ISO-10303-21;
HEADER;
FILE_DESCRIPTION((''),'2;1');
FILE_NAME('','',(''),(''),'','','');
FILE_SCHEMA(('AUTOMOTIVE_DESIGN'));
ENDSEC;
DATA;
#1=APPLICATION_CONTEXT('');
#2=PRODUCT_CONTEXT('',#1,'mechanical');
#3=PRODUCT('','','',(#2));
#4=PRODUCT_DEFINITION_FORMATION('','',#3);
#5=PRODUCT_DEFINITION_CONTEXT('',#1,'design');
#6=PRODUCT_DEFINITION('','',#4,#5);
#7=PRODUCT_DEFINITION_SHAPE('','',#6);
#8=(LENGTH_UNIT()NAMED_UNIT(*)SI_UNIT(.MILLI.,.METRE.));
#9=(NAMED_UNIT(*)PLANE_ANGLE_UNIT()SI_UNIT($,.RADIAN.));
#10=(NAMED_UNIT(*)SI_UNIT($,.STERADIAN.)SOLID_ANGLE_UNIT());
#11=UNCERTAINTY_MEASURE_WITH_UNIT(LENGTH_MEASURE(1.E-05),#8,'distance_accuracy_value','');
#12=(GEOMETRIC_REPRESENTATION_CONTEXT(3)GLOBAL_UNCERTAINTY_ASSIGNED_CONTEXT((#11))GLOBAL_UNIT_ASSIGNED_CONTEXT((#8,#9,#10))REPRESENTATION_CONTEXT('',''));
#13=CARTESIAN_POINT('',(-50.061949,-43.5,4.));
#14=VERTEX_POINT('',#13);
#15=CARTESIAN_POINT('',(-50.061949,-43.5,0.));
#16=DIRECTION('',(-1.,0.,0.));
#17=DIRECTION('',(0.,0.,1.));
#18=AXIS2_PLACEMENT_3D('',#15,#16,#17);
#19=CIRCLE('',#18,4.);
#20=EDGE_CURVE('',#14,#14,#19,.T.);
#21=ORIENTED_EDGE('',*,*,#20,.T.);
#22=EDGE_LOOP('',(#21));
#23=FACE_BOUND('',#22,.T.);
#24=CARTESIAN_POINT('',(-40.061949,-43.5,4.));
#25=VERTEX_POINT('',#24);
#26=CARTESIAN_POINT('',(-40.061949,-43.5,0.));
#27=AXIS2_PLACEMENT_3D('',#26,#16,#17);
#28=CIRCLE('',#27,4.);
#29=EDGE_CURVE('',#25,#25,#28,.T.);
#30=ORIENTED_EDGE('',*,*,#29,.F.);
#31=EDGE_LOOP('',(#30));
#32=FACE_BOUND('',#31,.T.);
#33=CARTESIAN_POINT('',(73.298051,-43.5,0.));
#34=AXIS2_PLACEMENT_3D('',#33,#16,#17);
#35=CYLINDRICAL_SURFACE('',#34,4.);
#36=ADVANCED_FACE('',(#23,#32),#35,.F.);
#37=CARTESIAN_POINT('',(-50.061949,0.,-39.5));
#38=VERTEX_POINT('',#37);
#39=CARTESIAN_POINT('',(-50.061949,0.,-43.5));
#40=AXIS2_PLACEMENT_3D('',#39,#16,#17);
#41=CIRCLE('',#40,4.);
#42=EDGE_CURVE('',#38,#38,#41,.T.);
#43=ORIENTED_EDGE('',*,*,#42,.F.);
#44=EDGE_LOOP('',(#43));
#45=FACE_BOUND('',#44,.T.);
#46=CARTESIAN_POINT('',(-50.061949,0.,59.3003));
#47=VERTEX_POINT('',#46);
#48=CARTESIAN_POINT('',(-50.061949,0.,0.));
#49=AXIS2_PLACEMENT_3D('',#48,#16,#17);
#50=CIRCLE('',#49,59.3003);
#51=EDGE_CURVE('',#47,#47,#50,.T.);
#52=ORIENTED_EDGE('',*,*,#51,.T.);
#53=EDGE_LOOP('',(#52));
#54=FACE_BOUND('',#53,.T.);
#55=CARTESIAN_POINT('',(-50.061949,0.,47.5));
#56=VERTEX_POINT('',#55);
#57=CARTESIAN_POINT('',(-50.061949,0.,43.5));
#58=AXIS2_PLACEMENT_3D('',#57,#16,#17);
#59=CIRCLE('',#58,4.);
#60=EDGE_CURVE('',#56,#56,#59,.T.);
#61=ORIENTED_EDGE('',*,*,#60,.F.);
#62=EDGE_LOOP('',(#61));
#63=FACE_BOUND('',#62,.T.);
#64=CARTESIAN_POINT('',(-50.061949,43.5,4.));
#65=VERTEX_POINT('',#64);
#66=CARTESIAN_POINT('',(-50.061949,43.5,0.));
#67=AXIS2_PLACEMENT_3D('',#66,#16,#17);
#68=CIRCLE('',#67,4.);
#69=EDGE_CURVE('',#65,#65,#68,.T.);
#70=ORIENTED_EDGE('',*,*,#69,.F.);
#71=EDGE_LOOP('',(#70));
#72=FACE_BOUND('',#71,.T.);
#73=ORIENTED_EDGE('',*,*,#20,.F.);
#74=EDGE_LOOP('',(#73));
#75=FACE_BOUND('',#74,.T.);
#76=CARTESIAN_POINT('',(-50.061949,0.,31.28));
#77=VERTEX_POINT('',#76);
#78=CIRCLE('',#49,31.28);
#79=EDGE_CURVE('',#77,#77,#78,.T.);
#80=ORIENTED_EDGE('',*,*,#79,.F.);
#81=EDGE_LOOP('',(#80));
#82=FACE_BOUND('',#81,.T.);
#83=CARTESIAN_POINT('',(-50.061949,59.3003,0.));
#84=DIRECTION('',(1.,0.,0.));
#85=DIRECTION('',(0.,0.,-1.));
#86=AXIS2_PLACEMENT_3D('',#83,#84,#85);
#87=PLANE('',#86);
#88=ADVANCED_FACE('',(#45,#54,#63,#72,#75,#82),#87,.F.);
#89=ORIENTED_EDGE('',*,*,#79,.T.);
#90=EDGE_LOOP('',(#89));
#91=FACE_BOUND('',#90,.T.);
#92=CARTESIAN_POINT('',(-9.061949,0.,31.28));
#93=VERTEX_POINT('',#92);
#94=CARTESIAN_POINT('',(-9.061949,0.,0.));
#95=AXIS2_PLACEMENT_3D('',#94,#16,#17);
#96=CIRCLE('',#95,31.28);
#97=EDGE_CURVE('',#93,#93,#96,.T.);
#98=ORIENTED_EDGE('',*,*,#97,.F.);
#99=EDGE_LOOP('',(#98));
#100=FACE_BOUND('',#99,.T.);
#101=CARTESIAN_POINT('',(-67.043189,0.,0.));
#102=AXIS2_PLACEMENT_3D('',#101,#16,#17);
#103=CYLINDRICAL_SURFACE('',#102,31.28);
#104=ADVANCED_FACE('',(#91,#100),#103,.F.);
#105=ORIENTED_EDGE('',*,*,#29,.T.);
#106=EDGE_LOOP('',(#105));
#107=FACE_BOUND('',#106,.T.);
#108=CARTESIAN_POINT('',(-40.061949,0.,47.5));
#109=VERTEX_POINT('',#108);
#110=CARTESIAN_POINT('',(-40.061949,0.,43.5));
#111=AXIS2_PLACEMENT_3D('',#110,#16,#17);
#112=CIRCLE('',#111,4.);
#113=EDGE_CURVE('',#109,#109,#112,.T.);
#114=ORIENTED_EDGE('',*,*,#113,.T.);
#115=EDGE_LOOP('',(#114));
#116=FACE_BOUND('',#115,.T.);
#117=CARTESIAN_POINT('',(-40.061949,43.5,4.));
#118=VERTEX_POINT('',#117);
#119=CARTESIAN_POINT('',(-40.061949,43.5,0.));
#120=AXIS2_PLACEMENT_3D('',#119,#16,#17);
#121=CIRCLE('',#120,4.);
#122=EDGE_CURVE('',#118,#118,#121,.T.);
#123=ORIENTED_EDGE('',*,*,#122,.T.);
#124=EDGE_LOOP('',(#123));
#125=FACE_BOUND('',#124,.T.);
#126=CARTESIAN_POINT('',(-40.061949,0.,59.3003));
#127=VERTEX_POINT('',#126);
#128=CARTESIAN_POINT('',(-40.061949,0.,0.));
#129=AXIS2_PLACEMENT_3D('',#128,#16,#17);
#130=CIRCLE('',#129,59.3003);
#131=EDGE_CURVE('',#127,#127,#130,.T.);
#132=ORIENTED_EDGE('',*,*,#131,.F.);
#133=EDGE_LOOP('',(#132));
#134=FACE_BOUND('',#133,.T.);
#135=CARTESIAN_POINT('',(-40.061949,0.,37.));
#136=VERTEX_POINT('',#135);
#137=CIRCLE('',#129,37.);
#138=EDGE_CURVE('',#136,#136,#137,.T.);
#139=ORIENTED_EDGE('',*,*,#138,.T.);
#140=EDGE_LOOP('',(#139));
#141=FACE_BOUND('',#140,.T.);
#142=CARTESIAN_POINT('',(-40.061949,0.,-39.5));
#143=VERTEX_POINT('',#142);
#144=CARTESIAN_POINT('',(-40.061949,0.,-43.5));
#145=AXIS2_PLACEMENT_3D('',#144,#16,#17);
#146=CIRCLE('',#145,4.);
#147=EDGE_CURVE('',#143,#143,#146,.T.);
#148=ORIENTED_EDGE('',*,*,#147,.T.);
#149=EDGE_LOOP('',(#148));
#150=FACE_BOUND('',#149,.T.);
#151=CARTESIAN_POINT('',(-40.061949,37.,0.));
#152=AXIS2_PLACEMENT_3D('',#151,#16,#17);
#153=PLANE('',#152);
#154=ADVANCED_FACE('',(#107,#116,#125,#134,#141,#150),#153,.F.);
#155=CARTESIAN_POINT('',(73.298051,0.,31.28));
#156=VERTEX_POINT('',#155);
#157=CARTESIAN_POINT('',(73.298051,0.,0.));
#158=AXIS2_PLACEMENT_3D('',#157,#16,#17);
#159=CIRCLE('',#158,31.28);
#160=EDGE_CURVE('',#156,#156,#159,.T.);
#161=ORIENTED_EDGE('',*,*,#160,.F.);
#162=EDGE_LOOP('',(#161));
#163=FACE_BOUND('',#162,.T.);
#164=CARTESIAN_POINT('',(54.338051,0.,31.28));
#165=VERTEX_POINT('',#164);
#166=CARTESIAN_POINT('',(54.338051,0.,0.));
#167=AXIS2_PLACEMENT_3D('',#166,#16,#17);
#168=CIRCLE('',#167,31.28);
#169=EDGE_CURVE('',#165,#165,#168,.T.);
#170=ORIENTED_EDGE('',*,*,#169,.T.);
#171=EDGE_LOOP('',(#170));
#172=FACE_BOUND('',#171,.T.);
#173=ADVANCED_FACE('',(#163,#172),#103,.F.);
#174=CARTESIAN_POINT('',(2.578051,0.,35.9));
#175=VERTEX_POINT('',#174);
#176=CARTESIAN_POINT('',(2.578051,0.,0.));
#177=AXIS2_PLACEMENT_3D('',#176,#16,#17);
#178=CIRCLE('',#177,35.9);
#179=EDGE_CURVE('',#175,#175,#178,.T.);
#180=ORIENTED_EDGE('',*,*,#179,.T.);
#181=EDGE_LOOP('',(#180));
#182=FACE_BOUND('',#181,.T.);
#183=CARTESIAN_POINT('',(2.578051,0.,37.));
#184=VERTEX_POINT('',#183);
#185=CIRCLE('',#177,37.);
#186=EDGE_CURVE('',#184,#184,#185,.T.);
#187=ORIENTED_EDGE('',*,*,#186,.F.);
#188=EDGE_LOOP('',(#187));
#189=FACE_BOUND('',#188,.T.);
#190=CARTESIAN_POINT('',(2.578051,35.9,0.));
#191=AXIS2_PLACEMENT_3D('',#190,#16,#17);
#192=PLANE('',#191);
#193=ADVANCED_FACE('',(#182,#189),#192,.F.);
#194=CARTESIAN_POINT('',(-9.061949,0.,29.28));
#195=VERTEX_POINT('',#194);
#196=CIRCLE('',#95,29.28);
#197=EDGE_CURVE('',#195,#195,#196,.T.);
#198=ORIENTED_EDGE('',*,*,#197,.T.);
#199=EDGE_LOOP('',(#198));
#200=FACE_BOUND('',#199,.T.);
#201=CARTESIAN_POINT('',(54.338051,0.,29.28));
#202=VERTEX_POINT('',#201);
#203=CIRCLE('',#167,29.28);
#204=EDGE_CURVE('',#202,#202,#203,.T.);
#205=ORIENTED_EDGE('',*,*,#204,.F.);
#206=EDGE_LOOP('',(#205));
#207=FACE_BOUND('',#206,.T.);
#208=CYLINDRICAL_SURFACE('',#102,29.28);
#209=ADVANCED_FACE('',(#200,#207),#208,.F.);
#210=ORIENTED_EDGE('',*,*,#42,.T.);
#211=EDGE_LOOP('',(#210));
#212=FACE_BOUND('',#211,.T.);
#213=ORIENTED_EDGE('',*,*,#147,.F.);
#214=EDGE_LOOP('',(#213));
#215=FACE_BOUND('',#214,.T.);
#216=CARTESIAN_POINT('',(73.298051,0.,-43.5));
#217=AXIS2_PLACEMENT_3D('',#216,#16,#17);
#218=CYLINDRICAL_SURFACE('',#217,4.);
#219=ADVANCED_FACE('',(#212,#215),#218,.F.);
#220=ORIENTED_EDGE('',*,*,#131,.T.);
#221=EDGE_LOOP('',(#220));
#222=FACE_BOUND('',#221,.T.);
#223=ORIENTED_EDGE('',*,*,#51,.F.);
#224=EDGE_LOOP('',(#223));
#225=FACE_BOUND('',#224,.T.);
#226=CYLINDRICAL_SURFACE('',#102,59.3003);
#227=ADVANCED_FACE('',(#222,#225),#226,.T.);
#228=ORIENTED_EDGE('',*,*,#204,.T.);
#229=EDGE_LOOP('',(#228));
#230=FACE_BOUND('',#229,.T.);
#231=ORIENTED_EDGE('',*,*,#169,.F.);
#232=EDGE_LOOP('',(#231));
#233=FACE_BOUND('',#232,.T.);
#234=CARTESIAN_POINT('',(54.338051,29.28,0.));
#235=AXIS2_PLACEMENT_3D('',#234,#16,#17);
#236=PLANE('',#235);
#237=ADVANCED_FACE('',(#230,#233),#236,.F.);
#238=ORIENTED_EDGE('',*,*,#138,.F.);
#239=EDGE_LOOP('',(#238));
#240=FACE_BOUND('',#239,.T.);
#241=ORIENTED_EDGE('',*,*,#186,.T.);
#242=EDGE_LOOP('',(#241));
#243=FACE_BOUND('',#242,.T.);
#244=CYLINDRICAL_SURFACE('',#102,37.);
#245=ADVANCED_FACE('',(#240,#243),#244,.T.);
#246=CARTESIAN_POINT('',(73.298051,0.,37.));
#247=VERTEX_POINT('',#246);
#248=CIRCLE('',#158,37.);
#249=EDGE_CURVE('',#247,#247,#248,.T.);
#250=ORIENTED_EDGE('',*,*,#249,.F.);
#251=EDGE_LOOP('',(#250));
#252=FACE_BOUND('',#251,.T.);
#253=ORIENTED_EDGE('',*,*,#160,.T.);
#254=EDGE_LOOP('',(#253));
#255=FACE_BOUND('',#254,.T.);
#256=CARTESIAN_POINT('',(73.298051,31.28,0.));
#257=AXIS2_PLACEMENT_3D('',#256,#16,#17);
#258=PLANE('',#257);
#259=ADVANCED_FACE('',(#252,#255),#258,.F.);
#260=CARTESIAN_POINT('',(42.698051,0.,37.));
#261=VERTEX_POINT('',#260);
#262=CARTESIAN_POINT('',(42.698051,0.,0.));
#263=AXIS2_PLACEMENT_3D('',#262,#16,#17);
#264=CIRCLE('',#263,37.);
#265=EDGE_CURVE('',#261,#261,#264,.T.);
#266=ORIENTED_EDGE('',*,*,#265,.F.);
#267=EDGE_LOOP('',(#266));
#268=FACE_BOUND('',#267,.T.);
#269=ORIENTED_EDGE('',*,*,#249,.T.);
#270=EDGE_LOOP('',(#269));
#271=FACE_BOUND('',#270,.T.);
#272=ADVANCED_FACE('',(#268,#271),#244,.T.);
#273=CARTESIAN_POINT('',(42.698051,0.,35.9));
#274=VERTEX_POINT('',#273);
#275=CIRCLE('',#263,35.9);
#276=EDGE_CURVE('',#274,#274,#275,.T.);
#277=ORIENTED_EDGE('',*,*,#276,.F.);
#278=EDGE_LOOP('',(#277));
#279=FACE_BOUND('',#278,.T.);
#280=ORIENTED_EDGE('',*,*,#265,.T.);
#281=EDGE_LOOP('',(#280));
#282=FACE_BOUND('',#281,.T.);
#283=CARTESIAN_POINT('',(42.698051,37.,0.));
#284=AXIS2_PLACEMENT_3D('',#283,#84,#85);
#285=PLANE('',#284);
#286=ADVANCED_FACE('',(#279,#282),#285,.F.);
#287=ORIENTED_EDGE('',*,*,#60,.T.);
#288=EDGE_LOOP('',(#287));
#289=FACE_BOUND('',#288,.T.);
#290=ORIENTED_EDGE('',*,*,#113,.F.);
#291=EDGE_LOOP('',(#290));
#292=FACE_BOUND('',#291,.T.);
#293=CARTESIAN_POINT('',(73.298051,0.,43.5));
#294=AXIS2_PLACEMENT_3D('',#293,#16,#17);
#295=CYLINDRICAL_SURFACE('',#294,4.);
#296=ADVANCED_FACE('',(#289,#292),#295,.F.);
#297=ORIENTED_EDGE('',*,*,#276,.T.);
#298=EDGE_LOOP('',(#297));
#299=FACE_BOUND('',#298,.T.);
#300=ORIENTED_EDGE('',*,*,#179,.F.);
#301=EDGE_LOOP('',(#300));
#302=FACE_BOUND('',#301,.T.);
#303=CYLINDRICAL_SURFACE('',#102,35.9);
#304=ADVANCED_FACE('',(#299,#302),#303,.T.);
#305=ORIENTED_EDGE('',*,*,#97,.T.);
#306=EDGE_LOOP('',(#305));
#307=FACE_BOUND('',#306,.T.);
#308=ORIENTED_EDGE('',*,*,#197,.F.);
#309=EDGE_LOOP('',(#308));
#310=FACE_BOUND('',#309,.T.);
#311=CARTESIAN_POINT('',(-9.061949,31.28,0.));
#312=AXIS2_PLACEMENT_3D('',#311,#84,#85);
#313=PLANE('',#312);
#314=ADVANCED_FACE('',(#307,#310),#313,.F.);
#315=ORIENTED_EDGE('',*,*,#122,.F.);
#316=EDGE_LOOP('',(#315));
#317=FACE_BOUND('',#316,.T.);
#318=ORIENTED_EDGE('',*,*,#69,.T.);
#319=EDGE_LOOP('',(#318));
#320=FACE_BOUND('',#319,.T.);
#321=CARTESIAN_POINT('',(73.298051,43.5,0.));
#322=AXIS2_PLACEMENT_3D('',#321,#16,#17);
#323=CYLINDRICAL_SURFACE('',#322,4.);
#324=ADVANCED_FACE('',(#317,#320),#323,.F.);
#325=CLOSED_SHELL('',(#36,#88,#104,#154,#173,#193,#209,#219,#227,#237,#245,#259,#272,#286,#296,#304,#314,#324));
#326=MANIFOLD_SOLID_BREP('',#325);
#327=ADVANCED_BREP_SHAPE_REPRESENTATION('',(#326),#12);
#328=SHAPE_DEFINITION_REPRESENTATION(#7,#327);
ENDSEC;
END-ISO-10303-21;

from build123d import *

# Parameters (mm, degrees)
SKETCH_2_R          = 4
CUT_EXTRUDE_1_DEPTH = 124.36


with BuildPart() as part:
    # 草图1 → 旋转1 (revolve)
    with BuildSketch(Plane.XY):
        Polygon((73.298050743, 37), (42.698050743, 37), (42.698050743, 35.9), (2.578050743, 35.9), (2.578050743, 37), (-40.061949257, 37), (-40.061949257, 59.300299501), (-50.061949257, 59.300299501), (-50.061949257, 31.28), (-9.061949257, 31.28), (-9.061949257, 29.28), (54.338050743, 29.28), (54.338050743, 31.28), (73.298050743, 31.28), align=None)
    revolve(axis=Axis((-67.043189493, 0, 0), (1, 0, 0)))

    # 草图2 → 切除-拉伸1 (cut, through all)
    with BuildSketch(Plane.ZY.offset(50.061949257)):
        with Locations((0, 43.5)):
            Circle(SKETCH_2_R)
        with Locations((43.5, 0)):
            Circle(SKETCH_2_R)
        with Locations((0, -43.5)):
            Circle(SKETCH_2_R)
        with Locations((-43.5, 0)):
            Circle(SKETCH_2_R)
    extrude(amount=-CUT_EXTRUDE_1_DEPTH, mode=Mode.SUBTRACT)


solid = part.part
